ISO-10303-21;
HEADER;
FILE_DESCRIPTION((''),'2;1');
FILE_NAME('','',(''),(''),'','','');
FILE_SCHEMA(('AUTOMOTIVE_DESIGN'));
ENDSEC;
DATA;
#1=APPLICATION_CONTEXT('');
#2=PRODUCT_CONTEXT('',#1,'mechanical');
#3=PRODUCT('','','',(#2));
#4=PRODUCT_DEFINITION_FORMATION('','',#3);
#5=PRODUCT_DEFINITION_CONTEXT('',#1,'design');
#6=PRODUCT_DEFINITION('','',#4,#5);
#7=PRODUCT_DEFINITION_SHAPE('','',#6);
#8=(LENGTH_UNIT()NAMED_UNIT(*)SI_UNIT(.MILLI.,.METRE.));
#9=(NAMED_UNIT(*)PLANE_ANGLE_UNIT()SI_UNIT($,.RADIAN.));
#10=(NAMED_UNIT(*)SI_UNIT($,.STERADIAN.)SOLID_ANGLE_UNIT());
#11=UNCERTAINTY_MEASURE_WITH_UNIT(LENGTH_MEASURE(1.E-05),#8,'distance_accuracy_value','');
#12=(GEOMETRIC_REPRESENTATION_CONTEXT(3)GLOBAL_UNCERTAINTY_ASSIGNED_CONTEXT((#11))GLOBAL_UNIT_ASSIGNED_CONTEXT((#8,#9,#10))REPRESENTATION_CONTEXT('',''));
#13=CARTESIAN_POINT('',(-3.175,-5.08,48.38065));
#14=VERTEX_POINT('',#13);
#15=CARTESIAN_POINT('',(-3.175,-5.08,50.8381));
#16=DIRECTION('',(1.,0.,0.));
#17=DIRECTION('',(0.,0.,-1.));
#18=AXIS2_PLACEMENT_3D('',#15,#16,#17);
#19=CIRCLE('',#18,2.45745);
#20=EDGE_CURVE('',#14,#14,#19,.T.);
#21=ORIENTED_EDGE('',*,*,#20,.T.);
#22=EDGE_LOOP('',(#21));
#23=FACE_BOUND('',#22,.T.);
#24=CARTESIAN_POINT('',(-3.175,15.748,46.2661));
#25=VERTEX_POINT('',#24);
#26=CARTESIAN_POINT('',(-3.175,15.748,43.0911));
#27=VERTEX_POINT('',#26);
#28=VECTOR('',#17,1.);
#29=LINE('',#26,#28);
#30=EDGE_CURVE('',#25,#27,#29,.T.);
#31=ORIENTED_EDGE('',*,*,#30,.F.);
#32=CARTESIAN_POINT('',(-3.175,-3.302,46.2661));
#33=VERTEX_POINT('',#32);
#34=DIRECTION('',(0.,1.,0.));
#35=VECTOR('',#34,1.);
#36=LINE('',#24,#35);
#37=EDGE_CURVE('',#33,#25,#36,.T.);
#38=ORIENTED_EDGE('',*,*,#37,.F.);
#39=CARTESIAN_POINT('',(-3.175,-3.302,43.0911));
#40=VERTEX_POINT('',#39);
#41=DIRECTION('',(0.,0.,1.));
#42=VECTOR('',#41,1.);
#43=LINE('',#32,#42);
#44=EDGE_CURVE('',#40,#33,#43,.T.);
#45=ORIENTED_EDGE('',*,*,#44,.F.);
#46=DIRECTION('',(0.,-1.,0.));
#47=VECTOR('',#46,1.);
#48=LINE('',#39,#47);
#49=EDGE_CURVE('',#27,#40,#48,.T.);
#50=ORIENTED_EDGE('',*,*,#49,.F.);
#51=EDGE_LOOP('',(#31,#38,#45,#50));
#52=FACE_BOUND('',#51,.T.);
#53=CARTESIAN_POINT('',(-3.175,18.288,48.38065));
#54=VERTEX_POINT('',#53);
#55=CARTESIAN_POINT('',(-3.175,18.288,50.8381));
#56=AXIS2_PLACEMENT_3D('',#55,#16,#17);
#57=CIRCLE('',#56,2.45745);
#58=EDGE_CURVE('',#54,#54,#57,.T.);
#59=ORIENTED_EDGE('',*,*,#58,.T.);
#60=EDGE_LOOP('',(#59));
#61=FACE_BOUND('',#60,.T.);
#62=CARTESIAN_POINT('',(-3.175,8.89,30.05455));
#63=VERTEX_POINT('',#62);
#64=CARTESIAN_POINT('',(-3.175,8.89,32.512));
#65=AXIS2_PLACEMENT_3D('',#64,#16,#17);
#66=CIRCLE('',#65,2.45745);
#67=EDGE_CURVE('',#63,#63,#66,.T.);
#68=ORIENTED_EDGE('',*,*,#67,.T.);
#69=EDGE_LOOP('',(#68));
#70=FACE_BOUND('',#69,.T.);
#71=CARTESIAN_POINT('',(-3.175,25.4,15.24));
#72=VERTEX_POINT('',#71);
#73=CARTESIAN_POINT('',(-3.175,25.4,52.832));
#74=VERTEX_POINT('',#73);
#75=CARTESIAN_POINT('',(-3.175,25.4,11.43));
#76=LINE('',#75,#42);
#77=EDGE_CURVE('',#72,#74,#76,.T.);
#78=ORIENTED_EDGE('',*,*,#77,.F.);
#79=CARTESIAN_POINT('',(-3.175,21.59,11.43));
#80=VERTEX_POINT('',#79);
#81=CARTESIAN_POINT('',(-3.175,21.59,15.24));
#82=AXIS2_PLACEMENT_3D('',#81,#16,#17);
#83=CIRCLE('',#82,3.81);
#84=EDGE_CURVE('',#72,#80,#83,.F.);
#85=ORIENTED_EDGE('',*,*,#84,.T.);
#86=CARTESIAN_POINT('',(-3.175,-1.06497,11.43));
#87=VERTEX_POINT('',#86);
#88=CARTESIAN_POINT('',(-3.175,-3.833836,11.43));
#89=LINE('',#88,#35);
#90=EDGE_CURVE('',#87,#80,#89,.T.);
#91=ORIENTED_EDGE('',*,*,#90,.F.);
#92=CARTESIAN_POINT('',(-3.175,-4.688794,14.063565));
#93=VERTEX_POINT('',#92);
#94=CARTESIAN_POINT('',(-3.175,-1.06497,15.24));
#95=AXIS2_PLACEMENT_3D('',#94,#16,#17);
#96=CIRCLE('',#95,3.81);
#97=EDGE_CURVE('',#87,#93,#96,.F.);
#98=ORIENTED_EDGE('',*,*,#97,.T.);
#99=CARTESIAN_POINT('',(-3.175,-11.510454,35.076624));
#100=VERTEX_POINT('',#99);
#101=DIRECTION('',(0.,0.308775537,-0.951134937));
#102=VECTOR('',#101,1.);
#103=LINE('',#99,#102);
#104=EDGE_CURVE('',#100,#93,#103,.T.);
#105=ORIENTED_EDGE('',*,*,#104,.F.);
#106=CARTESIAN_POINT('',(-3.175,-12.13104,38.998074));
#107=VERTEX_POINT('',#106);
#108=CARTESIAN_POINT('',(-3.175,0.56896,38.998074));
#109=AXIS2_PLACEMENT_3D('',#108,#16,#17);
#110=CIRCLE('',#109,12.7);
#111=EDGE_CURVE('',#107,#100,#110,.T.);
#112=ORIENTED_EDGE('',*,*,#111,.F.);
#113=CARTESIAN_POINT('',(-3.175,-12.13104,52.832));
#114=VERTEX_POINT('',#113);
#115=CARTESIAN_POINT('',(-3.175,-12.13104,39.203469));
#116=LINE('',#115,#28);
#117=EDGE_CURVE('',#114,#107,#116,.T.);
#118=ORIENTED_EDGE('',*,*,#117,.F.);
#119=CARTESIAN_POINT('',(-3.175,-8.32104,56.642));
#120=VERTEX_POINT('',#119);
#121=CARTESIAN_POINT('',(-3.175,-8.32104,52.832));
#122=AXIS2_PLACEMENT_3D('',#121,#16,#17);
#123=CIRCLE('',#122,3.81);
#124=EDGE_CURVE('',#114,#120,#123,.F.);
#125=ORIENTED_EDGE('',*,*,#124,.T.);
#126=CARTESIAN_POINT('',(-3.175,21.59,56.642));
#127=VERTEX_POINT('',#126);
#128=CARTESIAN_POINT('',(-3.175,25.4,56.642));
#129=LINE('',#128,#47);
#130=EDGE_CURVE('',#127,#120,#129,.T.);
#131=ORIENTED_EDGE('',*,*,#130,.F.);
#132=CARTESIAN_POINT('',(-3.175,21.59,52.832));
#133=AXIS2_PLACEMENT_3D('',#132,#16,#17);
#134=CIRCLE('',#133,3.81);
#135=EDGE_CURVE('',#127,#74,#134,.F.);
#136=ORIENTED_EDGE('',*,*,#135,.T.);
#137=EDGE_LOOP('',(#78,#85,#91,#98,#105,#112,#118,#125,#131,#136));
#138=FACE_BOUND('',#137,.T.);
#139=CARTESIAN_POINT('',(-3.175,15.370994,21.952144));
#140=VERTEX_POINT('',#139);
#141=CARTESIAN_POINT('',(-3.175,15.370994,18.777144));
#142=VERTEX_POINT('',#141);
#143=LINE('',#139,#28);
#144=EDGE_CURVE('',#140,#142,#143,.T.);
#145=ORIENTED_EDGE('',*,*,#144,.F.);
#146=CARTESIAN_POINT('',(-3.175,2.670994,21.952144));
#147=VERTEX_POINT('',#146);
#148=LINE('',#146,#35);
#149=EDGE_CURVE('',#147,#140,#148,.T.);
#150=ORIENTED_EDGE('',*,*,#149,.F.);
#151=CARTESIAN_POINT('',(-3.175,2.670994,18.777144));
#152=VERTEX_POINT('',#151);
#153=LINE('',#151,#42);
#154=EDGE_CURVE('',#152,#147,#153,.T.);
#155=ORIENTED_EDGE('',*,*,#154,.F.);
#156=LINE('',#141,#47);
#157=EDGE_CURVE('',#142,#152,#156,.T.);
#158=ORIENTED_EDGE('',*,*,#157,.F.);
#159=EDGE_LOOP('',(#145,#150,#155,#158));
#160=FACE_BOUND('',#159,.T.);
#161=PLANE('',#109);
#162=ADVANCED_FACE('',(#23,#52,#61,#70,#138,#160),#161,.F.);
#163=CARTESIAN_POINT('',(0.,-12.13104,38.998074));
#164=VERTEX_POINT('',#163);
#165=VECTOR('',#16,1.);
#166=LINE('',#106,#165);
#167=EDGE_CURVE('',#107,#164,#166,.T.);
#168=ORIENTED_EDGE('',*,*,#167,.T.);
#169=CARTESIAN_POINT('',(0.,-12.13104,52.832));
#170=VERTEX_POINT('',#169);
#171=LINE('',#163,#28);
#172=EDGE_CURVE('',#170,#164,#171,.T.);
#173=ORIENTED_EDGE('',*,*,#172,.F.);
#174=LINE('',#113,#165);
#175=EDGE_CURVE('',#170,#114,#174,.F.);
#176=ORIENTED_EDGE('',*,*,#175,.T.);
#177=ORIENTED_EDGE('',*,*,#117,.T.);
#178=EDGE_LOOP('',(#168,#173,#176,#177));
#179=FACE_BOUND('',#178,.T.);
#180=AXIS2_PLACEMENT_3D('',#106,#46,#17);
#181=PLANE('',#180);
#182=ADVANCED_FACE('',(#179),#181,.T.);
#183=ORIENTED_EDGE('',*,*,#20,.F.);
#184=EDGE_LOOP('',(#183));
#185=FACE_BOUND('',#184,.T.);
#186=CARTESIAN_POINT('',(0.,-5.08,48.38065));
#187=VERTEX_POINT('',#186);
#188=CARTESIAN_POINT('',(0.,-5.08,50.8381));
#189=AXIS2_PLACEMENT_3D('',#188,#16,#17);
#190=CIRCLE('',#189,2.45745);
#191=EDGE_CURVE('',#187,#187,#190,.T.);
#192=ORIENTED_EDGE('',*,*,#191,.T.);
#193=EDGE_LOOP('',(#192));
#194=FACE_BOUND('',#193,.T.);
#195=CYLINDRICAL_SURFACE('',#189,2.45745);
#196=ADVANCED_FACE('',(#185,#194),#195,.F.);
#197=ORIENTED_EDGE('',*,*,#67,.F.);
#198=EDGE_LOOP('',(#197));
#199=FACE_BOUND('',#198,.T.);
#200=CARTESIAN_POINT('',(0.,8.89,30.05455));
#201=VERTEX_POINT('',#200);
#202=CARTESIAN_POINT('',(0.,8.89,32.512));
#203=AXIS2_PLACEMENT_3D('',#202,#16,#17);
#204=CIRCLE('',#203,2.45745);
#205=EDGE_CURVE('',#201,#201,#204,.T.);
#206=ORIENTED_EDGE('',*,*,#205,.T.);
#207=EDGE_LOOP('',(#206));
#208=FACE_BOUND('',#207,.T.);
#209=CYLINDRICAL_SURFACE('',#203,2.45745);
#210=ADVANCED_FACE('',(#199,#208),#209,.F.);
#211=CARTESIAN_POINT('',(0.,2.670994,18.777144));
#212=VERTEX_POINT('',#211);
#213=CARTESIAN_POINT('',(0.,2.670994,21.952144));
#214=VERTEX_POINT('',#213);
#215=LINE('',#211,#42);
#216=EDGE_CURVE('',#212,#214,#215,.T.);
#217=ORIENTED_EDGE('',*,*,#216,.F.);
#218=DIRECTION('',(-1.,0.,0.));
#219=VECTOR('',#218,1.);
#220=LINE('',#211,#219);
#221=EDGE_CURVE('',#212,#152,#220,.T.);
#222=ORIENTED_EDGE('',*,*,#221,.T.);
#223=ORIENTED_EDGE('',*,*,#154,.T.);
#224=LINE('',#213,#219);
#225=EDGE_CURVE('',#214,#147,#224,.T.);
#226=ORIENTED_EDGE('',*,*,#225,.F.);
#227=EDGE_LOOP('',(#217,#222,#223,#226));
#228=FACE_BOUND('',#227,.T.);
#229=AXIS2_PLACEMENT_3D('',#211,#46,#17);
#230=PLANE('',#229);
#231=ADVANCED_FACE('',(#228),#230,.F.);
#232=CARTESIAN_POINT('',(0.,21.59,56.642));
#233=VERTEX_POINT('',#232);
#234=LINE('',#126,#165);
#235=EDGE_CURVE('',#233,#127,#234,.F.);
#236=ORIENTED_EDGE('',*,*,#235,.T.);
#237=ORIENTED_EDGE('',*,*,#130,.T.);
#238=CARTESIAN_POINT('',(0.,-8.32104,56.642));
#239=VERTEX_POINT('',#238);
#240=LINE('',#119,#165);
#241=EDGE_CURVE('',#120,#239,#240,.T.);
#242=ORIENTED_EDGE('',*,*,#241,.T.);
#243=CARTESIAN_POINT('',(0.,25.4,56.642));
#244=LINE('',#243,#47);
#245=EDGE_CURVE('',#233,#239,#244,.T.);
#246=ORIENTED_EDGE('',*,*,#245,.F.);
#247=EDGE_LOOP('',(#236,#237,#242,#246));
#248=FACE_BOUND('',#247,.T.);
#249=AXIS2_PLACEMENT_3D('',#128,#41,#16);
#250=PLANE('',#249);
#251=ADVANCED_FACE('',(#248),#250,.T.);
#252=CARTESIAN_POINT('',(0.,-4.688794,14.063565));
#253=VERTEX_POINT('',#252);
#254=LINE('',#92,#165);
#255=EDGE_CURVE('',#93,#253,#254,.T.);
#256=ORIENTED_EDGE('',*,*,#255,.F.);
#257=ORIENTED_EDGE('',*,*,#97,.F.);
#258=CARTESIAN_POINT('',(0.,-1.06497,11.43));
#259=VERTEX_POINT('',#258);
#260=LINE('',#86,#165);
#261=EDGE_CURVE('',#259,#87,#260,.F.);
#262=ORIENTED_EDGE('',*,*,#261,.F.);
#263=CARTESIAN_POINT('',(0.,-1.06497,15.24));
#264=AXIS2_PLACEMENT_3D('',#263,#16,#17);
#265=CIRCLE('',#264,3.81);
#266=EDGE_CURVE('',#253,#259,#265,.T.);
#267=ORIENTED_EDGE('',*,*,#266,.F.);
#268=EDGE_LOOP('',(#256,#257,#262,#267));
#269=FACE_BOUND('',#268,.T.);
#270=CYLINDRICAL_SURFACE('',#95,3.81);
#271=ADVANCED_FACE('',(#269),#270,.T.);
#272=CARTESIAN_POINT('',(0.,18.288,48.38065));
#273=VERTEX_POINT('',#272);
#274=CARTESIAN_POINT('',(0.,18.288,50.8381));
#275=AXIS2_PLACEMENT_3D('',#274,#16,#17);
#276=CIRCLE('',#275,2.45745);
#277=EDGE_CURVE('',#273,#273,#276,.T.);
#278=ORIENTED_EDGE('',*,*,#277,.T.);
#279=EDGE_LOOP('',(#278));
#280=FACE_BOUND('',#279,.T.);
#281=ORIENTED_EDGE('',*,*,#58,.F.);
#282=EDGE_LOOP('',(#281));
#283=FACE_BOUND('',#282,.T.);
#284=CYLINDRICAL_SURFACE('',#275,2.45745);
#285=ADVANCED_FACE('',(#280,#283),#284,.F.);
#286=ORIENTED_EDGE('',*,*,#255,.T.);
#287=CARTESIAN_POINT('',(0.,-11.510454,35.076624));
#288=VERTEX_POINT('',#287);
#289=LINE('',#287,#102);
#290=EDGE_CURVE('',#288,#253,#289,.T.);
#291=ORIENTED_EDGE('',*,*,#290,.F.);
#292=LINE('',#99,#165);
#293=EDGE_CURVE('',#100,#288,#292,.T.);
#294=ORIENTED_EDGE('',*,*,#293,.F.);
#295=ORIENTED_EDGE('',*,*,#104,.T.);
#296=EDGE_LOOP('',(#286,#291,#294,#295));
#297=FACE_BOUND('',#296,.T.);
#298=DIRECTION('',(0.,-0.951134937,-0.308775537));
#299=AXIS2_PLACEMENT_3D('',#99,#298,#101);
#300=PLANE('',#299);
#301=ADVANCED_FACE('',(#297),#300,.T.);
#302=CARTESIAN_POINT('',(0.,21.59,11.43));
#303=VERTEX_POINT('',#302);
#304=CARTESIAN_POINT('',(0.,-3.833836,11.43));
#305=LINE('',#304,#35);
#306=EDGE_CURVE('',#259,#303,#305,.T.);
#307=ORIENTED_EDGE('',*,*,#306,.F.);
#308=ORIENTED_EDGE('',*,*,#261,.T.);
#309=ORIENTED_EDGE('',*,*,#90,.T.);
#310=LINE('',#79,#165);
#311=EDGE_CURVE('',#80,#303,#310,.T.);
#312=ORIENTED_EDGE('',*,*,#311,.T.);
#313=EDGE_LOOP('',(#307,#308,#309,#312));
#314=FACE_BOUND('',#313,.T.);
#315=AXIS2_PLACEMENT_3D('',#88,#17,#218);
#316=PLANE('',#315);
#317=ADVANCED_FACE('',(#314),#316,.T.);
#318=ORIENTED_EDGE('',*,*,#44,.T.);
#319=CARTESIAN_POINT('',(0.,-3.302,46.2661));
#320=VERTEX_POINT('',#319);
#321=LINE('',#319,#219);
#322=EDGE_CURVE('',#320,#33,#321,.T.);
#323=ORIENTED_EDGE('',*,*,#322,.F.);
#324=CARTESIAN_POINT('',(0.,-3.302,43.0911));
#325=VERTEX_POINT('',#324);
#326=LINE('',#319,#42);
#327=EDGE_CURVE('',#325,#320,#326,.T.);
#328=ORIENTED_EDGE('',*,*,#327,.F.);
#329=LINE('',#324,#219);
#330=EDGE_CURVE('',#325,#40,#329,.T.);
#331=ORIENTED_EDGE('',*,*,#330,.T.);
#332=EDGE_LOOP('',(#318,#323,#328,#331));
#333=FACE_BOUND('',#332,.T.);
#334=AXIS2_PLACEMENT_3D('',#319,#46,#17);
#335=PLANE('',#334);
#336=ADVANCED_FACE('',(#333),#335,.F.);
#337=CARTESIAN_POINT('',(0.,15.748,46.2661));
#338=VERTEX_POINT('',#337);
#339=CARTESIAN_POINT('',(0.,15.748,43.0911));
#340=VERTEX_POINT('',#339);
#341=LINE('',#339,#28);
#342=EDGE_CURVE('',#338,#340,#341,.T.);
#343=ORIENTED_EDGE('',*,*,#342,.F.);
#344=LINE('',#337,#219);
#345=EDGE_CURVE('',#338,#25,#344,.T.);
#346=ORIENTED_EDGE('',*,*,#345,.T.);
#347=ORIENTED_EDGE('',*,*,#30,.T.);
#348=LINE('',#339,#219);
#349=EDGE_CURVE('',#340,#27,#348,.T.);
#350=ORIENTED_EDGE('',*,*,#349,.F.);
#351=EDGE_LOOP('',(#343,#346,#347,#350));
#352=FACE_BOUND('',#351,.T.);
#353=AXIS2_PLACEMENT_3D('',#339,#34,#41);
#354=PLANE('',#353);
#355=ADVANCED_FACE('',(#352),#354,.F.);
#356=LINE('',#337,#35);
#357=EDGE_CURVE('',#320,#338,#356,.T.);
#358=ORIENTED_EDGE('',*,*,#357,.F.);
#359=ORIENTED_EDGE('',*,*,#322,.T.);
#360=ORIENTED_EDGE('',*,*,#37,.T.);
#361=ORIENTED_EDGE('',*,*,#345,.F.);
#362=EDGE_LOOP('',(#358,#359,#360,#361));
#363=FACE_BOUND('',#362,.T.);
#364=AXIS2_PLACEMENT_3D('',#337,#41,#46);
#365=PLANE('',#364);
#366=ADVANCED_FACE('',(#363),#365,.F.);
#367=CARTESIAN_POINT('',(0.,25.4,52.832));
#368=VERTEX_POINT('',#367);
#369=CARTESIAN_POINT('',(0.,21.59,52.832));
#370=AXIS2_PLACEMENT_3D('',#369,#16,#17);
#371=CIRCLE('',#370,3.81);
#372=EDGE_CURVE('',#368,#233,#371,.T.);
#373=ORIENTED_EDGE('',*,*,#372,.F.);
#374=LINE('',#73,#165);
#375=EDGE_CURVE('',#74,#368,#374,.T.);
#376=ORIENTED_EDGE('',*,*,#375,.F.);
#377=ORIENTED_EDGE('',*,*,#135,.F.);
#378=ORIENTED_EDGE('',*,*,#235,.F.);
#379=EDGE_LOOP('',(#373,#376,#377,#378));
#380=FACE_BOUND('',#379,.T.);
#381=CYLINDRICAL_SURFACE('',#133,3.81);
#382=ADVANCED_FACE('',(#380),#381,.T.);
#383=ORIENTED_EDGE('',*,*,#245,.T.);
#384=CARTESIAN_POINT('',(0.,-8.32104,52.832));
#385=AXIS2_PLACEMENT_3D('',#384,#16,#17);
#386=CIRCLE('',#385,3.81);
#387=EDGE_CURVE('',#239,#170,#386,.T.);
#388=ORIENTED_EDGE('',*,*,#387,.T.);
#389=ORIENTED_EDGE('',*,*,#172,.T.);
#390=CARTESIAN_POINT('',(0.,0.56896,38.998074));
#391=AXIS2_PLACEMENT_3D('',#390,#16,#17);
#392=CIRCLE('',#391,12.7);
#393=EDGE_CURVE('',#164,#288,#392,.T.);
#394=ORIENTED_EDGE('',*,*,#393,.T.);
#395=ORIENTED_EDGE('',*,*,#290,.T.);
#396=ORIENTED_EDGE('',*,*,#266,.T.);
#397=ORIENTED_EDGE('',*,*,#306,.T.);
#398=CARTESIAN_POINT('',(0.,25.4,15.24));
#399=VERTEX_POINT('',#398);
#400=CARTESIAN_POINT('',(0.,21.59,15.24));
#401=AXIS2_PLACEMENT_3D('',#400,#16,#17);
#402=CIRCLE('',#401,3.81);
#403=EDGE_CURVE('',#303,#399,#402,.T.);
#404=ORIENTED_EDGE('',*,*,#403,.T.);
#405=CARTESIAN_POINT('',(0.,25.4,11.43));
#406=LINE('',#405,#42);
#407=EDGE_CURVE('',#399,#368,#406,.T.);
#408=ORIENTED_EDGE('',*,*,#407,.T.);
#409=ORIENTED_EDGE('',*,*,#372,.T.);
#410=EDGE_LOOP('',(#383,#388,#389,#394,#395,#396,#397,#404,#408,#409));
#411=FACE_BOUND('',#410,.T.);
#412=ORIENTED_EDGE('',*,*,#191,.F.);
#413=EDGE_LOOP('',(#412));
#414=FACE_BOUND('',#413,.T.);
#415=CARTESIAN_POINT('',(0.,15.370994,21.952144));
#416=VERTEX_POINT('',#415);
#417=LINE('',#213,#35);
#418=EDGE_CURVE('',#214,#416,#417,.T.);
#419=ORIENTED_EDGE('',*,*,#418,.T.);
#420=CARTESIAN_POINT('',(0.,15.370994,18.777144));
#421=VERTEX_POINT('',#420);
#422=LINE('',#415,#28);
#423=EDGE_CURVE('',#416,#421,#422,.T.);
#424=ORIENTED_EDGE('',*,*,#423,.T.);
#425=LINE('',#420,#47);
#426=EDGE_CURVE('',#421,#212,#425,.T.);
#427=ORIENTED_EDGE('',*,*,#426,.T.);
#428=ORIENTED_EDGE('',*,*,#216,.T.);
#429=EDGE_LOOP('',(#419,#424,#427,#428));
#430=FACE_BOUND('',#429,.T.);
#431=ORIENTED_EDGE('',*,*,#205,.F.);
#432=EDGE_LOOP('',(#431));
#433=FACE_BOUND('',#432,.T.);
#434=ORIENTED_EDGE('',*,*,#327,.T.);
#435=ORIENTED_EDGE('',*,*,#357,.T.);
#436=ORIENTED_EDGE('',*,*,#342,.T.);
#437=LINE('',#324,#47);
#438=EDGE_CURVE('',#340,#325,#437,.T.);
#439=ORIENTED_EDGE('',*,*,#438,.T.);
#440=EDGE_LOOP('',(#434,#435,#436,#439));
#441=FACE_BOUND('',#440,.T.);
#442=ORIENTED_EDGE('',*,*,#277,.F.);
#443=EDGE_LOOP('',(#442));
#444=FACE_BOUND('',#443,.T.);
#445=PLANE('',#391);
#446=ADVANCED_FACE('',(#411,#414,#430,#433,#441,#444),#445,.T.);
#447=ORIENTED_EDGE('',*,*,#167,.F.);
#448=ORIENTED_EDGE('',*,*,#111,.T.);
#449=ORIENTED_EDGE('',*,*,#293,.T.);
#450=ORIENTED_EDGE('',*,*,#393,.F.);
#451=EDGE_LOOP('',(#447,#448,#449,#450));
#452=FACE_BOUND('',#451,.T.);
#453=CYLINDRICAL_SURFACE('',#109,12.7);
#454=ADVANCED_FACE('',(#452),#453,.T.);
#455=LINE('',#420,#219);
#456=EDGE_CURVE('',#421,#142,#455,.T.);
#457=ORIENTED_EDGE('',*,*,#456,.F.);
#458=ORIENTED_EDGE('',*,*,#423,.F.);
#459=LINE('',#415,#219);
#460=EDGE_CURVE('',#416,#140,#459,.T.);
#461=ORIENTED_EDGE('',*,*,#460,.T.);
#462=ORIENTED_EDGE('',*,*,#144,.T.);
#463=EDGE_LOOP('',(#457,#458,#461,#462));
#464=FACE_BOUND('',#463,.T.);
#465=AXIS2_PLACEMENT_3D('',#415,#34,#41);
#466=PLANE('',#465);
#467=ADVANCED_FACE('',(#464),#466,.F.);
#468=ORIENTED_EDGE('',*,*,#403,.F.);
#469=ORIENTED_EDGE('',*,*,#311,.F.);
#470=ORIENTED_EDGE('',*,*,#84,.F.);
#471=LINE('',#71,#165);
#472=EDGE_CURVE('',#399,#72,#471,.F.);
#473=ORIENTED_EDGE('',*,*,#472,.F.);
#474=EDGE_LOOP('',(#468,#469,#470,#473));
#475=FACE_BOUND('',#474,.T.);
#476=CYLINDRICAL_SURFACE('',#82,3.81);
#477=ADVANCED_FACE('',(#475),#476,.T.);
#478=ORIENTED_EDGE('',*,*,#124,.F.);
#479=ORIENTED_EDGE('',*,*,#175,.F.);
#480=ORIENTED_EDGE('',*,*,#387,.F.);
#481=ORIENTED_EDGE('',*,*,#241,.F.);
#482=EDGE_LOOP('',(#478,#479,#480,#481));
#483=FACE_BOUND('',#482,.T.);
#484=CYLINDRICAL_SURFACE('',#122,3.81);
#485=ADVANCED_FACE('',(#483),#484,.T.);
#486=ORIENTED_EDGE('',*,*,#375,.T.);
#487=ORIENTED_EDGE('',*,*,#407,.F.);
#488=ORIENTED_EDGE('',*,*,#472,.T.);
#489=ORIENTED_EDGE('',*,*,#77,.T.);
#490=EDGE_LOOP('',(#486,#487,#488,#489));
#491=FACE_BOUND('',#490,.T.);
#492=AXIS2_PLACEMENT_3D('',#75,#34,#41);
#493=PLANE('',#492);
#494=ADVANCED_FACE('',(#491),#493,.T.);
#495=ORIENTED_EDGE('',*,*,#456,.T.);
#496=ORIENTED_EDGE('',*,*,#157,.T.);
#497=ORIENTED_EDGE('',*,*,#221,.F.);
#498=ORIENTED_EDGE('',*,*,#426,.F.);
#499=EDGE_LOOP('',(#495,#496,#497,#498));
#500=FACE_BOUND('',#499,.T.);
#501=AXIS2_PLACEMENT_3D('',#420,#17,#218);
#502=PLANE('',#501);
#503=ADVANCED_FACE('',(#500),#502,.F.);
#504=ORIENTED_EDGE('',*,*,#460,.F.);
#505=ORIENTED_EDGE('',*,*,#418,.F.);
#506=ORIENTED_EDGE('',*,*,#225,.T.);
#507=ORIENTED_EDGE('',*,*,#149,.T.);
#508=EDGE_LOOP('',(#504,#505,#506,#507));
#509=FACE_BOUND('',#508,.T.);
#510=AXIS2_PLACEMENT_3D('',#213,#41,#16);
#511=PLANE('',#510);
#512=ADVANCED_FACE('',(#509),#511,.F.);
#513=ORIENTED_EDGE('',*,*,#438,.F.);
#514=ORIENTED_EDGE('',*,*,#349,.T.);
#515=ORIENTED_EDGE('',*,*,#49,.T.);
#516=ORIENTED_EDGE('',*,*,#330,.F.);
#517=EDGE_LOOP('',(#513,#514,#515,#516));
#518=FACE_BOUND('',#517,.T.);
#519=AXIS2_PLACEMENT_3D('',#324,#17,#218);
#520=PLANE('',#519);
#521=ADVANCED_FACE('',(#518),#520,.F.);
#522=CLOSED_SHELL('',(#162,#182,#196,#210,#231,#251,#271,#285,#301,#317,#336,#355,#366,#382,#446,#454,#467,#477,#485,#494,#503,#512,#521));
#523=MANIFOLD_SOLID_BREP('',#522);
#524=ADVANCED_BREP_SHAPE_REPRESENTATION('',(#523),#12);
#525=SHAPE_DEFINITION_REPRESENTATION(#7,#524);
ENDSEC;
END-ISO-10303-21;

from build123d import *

# Parameters (mm, degrees)
BOSS_EXTRUDE1_DEPTH              = 3.175
F_10_0_1935_DIAMETER_HOLE1_D     = 4.9149
F_10_0_1935_DIAMETER_HOLE1_DEPTH = 11.176
F_10_0_1935_DIAMETER_HOLE1_TIP   = 1.476584928
SKETCH6_W                        = 3.175
SKETCH6_H                        = 19.05
SKETCH6_H_2                      = 12.7
CUT_EXTRUDE1_DEPTH               = 63.157515949
FILLET1_R                        = 3.81


with BuildPart() as part:
    # Sketch1 → Boss-Extrude1 (new body)
    with BuildSketch(Plane(origin=(0, 0, 0), x_dir=(0, 0, -1), z_dir=(1, 0, 0))):
        with BuildLine():
            Line((-11.43, 25.4), (-56.642, 25.4))
            Line((-56.642, 25.4), (-56.642, -12.13104))
            Line((-56.642, -12.13104), (-39.203469383, -12.13104))
            Line((-39.203469383, -12.13104), (-38.998073701, -12.13104))
            ThreePointArc((-38.998073701, -12.13104), (-37.012948259, -11.974934012), (-35.076624386, -11.510453697))
            Line((-35.076624386, -11.510453697), (-11.43, -3.833836163))
            Line((-11.43, -3.833836163), (-11.43, 25.4))
        make_face()
    extrude(amount=-BOSS_EXTRUDE1_DEPTH)

    # #10 (0.1935) Diameter Hole1
    with Locations(Plane(origin=(0, 0, 0), x_dir=(0, 0, -1), z_dir=(1, 0, 0))):
        with Locations((-50.8381, -5.08), (-50.8381, 18.288), (-32.512, 8.89)):
            Hole(F_10_0_1935_DIAMETER_HOLE1_D / 2, depth=F_10_0_1935_DIAMETER_HOLE1_DEPTH)
            with Locations((0, 0, -(F_10_0_1935_DIAMETER_HOLE1_DEPTH + F_10_0_1935_DIAMETER_HOLE1_TIP / 2))):  # 118° drill point
                Cone(0, F_10_0_1935_DIAMETER_HOLE1_D / 2, F_10_0_1935_DIAMETER_HOLE1_TIP, mode=Mode.SUBTRACT)

    # Sketch6 → Cut-Extrude1 (cut, through all)
    with BuildSketch(Plane.ZY.offset(3.175)):
        with Locations((44.6786, 6.223)):
            Rectangle(SKETCH6_W, SKETCH6_H)
        with Locations((20.364644497, 9.020993871)):
            Rectangle(SKETCH6_W, SKETCH6_H_2)
    extrude(amount=-CUT_EXTRUDE1_DEPTH, mode=Mode.SUBTRACT)

    # Fillet1
    fillet1_edges = [part.edges().sort_by_distance(p)[0] for p in [
        (-1.5875, -12.13104, 56.642),
        (-1.5875, 25.4, 56.642),
        (-1.5875, 25.4, 11.43),
        (-1.5875, -3.833836163, 11.43),
    ]]
    fillet(fillet1_edges, radius=FILLET1_R)


solid = part.part
